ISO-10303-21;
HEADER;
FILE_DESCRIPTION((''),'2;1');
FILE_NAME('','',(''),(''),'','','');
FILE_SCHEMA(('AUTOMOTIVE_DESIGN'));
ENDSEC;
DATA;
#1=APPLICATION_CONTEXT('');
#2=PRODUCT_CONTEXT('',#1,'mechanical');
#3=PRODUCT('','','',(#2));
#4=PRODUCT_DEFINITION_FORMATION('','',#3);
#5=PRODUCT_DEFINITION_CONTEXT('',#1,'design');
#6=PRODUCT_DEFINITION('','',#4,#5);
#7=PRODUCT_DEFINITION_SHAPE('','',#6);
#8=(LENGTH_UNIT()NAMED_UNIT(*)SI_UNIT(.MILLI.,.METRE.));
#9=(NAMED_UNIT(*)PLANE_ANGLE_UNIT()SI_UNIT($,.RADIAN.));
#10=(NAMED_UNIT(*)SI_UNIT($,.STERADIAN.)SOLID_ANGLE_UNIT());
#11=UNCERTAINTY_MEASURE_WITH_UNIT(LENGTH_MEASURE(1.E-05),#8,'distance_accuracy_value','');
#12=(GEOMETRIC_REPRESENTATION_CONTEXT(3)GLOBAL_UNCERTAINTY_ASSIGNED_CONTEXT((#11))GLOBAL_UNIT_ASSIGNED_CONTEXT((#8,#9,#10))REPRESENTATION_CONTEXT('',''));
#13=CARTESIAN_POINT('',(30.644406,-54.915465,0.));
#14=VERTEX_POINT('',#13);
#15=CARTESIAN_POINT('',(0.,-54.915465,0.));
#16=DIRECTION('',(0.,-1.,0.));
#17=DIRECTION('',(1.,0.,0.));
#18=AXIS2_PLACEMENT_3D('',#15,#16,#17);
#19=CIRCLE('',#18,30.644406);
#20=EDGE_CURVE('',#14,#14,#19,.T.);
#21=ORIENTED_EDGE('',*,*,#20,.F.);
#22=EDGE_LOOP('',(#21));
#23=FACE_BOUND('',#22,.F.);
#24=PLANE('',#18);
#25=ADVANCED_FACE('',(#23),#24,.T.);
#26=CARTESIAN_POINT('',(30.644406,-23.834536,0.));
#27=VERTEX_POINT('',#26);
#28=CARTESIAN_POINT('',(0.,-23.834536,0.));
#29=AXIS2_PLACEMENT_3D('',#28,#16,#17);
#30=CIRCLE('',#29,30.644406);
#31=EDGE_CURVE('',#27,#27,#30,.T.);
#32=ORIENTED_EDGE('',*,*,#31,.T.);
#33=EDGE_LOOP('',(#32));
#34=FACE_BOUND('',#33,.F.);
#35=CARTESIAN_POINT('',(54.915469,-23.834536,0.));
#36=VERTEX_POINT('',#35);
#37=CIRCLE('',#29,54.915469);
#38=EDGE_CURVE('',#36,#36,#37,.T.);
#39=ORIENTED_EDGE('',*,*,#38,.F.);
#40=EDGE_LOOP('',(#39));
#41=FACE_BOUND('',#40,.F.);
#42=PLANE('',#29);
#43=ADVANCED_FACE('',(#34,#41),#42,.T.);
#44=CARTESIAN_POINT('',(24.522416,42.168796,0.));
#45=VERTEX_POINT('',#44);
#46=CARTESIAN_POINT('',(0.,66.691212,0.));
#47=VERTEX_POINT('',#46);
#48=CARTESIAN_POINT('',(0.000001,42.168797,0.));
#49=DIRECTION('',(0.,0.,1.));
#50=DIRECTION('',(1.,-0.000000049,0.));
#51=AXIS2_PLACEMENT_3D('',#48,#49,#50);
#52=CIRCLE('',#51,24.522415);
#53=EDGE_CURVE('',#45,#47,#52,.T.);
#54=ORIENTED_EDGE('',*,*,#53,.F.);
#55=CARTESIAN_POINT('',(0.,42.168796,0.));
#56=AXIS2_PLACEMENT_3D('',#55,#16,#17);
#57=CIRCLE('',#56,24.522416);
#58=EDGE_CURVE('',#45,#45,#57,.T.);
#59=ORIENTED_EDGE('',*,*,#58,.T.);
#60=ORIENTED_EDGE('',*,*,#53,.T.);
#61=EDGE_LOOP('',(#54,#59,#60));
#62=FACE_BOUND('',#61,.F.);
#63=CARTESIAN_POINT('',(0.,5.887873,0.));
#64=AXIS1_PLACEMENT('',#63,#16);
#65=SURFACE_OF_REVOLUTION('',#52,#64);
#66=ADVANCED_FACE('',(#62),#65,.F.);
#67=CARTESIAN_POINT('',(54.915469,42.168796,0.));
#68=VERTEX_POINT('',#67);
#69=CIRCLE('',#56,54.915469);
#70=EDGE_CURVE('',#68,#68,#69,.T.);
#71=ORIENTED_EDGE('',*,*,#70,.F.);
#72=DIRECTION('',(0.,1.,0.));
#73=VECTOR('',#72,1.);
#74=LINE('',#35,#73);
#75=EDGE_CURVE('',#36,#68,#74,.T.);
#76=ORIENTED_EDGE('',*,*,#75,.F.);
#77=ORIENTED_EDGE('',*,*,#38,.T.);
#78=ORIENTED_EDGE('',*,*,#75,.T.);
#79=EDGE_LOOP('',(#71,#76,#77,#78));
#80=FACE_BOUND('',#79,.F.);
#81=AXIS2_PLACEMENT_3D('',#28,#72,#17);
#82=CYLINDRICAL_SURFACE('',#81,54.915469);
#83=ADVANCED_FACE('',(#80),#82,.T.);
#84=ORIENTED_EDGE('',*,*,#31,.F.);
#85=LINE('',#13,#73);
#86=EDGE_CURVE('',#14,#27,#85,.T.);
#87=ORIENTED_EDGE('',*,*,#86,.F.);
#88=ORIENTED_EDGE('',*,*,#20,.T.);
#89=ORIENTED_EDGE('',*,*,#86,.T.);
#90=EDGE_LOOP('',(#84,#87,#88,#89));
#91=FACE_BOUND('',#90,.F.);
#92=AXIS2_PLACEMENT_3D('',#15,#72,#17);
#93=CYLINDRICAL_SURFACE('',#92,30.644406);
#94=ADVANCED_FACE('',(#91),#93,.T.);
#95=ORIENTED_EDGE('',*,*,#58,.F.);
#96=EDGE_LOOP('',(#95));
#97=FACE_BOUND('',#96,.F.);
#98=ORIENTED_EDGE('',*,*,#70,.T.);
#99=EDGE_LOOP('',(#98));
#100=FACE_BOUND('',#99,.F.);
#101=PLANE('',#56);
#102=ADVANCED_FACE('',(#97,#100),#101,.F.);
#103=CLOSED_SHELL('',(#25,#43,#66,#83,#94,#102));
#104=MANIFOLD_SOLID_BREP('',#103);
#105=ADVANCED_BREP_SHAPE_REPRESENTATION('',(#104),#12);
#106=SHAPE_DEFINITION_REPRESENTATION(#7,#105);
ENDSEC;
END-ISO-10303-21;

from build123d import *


with BuildPart() as f1:
    # F0 (on Top) → F1 (revolve)
    with BuildSketch(Plane.XY):
        with BuildLine():
            Line((54.915469, 42.168796), (24.522416, 42.168796))
            ThreePointArc((24.522416, 42.168796), (17.339967, 59.508763), (0, 66.691212))
            Line((0, 66.691212), (0, 42.168796))
            Line((0, 42.168796), (0, -23.834536))
            Line((0, -23.834536), (0, -54.915465))
            Line((0, -54.915465), (30.644406, -54.915465))
            Line((30.644406, -54.915465), (30.644406, -23.834536))
            Line((30.644406, -23.834536), (54.915469, -23.834536))
            Line((54.915469, -23.834536), (54.915469, 42.168796))
        make_face()
    revolve(axis=Axis((0, 5.887873, 0), (0, -1, 0)))


solid = f1.part
